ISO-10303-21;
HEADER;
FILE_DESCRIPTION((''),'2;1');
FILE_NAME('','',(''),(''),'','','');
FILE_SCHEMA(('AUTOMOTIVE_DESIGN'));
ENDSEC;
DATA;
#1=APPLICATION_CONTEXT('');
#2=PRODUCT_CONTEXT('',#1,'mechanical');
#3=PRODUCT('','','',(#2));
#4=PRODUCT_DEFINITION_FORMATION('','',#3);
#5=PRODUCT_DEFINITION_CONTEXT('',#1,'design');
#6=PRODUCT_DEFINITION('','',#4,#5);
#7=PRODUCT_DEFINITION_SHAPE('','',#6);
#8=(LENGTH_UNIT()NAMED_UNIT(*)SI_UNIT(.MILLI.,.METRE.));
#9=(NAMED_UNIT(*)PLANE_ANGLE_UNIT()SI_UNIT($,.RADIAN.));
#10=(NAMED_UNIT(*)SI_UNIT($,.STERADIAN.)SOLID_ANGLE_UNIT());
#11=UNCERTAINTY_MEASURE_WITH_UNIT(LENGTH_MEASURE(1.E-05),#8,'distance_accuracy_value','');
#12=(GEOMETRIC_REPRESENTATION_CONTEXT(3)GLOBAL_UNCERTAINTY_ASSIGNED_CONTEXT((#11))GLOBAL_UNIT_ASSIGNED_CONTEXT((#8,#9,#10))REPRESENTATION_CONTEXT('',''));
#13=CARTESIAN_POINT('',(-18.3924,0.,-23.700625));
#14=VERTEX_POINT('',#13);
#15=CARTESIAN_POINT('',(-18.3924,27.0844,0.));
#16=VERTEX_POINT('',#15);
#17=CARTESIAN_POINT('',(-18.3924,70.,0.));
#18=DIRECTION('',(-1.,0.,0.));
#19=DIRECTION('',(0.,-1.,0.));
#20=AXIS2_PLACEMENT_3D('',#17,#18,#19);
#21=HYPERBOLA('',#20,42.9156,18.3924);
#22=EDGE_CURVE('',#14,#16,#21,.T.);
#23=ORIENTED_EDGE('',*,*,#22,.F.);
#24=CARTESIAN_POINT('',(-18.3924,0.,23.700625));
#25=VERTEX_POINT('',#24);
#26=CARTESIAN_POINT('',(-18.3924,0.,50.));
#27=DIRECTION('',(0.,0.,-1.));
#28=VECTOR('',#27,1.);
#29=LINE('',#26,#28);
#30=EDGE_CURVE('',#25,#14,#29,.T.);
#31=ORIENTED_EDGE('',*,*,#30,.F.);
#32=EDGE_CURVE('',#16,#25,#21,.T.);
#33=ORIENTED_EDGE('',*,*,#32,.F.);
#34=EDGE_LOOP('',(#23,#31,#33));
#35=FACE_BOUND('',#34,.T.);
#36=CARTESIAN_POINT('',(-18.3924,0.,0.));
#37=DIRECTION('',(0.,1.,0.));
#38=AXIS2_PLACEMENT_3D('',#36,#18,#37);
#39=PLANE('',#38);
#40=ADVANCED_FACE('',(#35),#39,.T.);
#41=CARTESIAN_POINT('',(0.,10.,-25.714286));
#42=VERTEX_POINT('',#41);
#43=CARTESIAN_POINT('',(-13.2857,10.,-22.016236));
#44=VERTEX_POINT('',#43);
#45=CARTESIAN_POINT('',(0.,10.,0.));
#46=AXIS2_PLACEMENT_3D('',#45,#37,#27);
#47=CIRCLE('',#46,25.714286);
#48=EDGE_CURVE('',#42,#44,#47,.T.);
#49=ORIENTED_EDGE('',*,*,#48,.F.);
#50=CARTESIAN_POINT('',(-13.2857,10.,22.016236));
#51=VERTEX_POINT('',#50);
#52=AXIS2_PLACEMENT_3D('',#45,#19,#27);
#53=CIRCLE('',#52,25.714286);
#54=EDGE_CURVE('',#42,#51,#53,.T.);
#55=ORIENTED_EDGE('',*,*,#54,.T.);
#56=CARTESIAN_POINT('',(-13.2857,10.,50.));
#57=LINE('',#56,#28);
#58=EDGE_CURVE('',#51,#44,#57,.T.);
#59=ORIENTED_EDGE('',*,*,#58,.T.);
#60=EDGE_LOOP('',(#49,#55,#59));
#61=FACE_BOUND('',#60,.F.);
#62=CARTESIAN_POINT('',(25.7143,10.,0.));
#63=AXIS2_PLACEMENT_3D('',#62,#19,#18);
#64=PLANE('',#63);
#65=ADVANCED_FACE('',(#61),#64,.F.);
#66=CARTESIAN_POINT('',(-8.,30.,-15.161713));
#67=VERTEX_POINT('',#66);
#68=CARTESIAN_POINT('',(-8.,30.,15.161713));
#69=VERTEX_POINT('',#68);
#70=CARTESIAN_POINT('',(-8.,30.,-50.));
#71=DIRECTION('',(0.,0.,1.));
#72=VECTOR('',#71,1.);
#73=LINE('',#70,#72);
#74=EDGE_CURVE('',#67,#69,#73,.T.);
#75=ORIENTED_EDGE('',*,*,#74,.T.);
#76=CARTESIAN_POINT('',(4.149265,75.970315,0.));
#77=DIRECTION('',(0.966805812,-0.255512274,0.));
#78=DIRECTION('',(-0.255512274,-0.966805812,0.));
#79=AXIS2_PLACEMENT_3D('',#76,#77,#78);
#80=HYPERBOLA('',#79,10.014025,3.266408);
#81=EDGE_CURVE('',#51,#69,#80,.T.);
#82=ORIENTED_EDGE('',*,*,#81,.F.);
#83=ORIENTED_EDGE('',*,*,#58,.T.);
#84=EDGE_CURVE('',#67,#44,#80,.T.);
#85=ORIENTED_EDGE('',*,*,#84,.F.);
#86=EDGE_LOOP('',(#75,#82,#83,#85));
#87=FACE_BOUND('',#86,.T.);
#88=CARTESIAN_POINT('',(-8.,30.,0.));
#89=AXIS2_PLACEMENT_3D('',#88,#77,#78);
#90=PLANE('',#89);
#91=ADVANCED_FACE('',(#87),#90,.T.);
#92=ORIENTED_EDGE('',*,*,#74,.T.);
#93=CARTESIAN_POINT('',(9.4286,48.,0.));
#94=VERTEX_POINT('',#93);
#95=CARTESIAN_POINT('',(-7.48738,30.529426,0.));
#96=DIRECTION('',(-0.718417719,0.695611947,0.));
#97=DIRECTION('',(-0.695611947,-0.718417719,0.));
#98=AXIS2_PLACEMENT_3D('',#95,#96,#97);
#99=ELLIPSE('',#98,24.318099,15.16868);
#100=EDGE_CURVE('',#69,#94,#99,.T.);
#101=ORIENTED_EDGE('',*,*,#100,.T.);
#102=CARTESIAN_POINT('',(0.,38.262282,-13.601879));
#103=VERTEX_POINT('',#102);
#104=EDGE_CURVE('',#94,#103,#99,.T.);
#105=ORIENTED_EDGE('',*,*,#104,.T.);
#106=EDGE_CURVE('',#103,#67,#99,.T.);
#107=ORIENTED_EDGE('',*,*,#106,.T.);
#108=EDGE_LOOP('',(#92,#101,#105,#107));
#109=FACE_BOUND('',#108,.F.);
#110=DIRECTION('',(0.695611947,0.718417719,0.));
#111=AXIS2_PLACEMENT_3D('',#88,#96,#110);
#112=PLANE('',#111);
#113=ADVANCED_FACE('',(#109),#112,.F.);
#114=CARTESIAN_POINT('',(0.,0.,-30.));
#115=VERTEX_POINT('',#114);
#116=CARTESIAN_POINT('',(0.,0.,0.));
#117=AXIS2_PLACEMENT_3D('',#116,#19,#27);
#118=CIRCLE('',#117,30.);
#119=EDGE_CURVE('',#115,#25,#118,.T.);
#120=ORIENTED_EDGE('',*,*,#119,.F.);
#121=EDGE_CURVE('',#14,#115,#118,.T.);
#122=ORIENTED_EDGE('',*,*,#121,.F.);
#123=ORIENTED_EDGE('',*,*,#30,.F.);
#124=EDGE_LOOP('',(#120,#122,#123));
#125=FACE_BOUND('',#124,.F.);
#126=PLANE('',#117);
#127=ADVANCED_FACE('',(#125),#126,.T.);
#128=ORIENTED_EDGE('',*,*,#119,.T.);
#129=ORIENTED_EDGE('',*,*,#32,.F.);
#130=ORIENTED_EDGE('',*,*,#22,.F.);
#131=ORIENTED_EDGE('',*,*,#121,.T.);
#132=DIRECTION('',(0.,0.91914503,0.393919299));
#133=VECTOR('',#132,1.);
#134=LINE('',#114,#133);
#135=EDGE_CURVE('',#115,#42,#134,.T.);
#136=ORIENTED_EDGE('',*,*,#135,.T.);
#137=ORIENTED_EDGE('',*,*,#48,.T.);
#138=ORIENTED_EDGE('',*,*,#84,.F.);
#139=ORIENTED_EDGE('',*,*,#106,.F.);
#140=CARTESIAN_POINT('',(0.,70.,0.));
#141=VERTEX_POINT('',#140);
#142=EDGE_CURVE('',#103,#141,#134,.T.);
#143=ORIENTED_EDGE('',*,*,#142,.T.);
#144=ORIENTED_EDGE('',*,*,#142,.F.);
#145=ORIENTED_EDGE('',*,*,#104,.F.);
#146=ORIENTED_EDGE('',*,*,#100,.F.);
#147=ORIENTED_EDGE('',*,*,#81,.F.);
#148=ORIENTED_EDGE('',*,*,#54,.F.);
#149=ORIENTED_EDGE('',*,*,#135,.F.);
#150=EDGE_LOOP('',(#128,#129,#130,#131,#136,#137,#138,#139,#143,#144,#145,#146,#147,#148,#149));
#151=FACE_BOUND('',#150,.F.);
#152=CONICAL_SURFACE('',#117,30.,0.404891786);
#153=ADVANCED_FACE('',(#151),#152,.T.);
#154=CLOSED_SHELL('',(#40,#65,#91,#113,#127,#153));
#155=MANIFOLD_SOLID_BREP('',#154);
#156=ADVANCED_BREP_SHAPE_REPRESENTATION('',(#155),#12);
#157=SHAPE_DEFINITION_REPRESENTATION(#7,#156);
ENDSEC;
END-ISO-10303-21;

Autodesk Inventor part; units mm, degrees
ref_plane "YZ Plane" through (0, 0, 0) normal (1, 0, 0) x (0, 1, 0)
ref_plane "XZ Plane" through (0, 0, 0) normal (0, 1, 0) x (-1, 0, 0)
ref_plane "XY Plane" through (0, 0, 0) normal (0, 0, 1) x (1, 0, 0)
sketch "Эскиз1" plane through (0, 0, 0) normal (1, 0, 0) x (0, 1, 0)
  line L0 (70, 0) -> (0, 0)
  line L1 (0, 0) -> (0, -30)
  line L2 (0, -30) -> (70, 0)
  dimension "d0" = 30
  dimension "d1" = 70
revolve "Вращение1" add sketch "Эскиз1" angle 360 about axis through (0, 70, 0) along (0, -1, 0)
sketch "Эскиз2" plane through (0, 0, 0) normal (0, 0, 1) x (1, 0, 0)
  line L0 (0, 70) -> (30, 0) projected
  line L1 (25.7143, 10) -> (-13.2857, 10)
  line L2 (-30, 0) -> (30, 0) projected
  line L3 (-8, 30) -> (-13.2857, 10)
  line L4 (-8, 30) -> (9.4286, 48)
  line L5 (-18.3924, 0) -> (-18.3924, 27.0844)
  line L6 (0, 70) -> (-30, 0) projected
  point P0 (0, 0)
  point P1 (0, 30)
extrude "Выдавливание1" cut sketch "Эскиз2" along normal mid plane 100 contours L0 L1 L3 L4 | L5 L2 L6
